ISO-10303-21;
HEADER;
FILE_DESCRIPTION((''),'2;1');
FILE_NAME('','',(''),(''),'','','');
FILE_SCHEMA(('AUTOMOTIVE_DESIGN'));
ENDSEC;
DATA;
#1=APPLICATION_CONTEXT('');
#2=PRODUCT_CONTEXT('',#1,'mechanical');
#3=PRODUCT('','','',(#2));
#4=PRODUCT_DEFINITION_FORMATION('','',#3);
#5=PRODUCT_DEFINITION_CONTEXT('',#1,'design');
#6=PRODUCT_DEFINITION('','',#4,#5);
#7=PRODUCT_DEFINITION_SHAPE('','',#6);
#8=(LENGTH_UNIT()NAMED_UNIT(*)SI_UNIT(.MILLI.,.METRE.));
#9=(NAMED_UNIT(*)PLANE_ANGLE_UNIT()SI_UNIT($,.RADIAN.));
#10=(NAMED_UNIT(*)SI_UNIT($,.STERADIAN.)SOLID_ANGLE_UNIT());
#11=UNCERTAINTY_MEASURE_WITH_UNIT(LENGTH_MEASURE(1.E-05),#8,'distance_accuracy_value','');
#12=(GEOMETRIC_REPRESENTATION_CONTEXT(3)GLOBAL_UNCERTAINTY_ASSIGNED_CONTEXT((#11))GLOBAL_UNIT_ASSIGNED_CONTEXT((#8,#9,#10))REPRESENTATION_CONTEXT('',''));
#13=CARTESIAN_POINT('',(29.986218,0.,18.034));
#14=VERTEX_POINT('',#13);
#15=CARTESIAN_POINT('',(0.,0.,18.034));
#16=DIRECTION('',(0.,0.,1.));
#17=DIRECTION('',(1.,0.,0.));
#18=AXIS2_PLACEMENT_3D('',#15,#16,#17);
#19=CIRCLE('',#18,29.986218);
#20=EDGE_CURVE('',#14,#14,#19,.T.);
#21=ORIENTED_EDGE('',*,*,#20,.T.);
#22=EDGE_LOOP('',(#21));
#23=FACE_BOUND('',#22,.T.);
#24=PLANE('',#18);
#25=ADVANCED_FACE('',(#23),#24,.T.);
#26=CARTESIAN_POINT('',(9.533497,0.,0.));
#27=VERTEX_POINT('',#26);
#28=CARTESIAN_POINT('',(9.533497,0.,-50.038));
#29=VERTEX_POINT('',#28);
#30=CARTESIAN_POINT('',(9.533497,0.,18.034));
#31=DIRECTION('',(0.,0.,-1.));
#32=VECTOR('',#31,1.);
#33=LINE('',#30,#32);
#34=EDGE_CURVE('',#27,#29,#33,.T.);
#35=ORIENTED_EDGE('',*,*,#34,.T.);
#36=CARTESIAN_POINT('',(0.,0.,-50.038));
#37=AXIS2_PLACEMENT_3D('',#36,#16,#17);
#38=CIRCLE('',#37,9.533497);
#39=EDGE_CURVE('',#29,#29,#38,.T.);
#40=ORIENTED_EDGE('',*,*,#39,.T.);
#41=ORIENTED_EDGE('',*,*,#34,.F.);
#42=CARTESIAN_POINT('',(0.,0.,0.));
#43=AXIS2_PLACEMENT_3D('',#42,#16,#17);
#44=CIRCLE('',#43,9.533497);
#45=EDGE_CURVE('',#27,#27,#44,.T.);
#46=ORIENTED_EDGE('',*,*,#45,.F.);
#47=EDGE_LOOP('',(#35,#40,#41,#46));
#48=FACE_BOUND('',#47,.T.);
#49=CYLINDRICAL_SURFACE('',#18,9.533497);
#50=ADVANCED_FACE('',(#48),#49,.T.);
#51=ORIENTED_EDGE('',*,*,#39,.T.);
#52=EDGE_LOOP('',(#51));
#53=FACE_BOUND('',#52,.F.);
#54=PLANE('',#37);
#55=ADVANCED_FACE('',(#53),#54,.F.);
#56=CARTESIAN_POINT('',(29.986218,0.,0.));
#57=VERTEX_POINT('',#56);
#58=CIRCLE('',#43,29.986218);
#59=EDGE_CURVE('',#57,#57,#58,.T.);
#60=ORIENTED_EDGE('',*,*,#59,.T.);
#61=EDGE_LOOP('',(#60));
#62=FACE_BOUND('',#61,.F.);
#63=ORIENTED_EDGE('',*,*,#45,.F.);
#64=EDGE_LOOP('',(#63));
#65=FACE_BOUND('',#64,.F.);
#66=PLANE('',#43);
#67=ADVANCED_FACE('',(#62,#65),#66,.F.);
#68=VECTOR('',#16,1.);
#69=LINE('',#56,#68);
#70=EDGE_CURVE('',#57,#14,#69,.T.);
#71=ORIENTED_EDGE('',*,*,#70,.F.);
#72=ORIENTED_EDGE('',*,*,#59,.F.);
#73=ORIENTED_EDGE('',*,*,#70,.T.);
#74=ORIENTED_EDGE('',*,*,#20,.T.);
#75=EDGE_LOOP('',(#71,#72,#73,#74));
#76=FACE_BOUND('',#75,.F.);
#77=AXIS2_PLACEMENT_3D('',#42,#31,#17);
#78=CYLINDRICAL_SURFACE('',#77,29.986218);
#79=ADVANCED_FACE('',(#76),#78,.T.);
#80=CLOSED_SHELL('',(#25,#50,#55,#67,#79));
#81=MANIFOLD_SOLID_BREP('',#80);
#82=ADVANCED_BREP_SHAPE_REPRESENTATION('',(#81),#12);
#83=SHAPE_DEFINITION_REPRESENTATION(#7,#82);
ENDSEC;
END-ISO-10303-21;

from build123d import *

# Parameters (mm, degrees)
F0_R     = 29.986218
F1_DEPTH = 18.034
F2_R     = 9.533497
F3_DEPTH = 68.072


with BuildPart() as f1:
    # F0 (on Top) → F1 (new body)
    with BuildSketch(Plane.XY):
        Circle(F0_R)
    extrude(amount=F1_DEPTH)

    # F2 (on face) → F3 (join)
    with BuildSketch(Plane.XY.offset(18.034)):
        Circle(F2_R)
    extrude(amount=-F3_DEPTH)


solid = f1.part
